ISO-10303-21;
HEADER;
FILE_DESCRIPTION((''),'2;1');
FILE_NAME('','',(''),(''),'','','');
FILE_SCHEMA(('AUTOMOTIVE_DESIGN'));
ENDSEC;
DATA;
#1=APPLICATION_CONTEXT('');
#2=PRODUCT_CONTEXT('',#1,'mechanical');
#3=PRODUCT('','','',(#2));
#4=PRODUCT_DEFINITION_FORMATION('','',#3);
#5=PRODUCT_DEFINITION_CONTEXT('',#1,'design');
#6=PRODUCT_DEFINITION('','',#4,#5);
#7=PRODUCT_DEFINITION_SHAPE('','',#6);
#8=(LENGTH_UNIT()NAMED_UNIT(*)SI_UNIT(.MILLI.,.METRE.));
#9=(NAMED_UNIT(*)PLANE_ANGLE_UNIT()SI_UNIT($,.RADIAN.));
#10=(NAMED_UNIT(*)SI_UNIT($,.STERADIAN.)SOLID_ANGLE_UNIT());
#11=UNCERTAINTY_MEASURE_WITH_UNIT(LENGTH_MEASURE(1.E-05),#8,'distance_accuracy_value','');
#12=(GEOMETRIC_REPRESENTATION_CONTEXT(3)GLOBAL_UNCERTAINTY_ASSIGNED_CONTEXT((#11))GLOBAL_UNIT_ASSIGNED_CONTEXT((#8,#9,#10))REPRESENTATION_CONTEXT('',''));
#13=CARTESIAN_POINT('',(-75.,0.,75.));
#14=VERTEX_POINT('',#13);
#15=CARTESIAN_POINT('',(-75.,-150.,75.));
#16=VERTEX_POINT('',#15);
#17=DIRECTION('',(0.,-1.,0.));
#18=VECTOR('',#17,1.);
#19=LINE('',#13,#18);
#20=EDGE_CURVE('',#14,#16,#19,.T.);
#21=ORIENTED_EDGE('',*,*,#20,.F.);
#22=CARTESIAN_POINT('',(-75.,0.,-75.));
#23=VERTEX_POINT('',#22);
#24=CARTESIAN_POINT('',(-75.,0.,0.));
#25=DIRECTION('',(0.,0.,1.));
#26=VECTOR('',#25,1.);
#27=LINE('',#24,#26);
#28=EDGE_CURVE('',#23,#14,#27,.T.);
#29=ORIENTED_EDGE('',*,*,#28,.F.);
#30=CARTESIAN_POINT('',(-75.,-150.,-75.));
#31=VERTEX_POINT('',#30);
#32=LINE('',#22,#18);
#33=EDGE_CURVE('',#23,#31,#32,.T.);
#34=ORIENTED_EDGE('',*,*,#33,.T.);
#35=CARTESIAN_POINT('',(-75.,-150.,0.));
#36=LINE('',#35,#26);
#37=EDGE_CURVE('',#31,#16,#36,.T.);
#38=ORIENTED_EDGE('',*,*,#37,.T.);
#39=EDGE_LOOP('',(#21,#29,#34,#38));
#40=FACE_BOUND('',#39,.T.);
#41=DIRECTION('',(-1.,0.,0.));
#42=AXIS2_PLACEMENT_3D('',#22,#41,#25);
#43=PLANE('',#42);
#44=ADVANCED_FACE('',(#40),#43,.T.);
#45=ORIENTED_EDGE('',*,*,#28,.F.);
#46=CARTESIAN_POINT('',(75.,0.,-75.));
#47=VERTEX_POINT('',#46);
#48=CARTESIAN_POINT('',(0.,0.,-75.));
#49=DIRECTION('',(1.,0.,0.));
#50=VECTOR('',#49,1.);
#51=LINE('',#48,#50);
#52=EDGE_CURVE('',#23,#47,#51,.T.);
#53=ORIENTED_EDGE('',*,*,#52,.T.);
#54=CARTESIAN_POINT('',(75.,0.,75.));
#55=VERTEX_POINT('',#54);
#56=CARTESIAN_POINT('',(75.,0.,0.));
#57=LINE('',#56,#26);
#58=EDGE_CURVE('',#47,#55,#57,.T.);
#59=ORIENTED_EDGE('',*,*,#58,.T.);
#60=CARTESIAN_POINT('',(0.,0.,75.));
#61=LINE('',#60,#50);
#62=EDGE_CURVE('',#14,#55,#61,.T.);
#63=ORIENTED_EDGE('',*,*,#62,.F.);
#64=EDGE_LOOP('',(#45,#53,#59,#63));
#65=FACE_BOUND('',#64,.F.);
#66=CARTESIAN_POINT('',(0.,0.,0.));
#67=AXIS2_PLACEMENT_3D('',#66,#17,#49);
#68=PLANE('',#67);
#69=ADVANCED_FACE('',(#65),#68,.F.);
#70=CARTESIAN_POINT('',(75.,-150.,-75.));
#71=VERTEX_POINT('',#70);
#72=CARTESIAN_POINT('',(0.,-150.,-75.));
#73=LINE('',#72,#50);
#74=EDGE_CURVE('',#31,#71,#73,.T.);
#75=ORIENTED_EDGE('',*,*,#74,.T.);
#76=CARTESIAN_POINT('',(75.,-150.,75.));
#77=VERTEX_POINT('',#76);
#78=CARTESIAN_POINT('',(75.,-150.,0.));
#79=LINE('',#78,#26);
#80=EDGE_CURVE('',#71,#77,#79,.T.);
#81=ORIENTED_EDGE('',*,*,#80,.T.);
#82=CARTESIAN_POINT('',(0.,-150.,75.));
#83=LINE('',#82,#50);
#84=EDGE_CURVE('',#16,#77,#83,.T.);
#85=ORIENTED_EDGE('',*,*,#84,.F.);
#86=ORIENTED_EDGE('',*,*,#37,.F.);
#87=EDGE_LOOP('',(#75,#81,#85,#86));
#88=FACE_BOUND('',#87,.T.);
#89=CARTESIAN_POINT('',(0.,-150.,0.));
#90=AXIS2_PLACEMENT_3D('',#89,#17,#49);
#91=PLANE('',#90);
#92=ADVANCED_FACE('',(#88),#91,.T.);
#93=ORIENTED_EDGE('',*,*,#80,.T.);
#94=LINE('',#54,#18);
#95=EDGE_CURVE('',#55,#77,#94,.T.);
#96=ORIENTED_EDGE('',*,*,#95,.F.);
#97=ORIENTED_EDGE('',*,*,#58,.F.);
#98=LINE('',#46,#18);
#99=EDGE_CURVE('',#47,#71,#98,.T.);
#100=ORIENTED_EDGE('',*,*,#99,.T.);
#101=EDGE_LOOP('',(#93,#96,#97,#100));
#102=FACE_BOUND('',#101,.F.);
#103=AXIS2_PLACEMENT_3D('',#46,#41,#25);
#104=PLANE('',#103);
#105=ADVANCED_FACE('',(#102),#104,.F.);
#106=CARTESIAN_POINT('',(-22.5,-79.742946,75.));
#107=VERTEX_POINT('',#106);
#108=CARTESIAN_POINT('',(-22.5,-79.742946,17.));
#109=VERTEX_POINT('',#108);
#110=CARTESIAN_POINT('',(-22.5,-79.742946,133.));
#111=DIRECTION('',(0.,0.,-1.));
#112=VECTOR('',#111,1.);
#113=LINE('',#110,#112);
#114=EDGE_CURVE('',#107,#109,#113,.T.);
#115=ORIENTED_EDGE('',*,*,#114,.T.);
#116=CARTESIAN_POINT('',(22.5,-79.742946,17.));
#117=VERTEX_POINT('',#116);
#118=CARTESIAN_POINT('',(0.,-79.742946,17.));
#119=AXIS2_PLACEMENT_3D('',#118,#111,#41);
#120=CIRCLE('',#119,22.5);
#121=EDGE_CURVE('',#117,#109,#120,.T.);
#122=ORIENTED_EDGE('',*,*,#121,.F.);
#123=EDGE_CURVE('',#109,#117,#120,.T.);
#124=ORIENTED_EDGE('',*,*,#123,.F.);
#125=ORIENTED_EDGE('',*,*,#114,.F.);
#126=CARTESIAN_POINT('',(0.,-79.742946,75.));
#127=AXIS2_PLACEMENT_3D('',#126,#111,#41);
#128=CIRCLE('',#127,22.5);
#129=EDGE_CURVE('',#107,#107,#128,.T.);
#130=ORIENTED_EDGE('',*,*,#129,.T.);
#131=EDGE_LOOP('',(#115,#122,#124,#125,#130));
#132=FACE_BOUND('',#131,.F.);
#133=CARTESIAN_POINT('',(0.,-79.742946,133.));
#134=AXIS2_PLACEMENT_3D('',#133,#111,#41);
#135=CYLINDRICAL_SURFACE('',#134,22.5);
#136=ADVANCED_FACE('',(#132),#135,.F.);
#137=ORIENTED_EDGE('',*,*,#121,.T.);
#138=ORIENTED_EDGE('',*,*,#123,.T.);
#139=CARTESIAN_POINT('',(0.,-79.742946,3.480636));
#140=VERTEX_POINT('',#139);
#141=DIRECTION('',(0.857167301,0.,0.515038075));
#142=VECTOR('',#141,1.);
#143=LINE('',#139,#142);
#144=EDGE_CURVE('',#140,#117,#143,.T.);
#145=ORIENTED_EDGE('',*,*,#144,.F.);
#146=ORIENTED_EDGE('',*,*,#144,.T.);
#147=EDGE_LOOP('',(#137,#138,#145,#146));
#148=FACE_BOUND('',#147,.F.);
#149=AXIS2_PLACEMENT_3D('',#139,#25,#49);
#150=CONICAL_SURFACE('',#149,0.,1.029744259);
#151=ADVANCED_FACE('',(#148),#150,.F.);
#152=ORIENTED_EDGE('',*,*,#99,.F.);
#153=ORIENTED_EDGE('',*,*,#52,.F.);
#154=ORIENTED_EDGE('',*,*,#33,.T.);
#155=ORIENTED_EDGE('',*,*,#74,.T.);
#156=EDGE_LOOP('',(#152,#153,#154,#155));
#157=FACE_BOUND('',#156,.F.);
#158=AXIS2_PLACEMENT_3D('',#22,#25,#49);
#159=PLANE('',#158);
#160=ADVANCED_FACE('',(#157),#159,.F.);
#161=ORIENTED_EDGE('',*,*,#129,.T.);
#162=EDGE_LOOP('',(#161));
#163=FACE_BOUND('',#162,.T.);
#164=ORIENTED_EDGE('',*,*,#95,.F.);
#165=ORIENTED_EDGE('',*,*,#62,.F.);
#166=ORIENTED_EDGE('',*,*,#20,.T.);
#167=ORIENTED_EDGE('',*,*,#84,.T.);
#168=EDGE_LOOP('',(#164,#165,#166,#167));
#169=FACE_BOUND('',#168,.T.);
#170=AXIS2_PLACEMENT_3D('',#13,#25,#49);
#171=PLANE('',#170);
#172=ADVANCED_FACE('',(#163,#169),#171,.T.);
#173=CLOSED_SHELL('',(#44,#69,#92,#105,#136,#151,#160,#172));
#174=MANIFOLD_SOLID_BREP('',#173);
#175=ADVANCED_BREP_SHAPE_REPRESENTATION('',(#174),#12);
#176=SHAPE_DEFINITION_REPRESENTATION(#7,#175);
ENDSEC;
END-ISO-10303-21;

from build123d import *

# Parameters (mm, degrees)
F0_W     = 150
F0_H     = 150
F1_DEPTH = 150
F3_D     = 45
F3_DEPTH = 58
F3_TIP   = 13.5193639281


with BuildPart() as f1:
    # F0 (on Front) → F1 (new body)
    with BuildSketch(Plane.XZ):
        Rectangle(F0_W, F0_H)
    extrude(amount=F1_DEPTH)

    # F3
    with Locations(Plane.XY.offset(75)):
        with Locations((0, -79.7429457307)):
            Hole(F3_D / 2, depth=F3_DEPTH)
            with Locations((0, 0, -(F3_DEPTH + F3_TIP / 2))):  # 118° drill point
                Cone(0, F3_D / 2, F3_TIP, mode=Mode.SUBTRACT)


solid = f1.part
